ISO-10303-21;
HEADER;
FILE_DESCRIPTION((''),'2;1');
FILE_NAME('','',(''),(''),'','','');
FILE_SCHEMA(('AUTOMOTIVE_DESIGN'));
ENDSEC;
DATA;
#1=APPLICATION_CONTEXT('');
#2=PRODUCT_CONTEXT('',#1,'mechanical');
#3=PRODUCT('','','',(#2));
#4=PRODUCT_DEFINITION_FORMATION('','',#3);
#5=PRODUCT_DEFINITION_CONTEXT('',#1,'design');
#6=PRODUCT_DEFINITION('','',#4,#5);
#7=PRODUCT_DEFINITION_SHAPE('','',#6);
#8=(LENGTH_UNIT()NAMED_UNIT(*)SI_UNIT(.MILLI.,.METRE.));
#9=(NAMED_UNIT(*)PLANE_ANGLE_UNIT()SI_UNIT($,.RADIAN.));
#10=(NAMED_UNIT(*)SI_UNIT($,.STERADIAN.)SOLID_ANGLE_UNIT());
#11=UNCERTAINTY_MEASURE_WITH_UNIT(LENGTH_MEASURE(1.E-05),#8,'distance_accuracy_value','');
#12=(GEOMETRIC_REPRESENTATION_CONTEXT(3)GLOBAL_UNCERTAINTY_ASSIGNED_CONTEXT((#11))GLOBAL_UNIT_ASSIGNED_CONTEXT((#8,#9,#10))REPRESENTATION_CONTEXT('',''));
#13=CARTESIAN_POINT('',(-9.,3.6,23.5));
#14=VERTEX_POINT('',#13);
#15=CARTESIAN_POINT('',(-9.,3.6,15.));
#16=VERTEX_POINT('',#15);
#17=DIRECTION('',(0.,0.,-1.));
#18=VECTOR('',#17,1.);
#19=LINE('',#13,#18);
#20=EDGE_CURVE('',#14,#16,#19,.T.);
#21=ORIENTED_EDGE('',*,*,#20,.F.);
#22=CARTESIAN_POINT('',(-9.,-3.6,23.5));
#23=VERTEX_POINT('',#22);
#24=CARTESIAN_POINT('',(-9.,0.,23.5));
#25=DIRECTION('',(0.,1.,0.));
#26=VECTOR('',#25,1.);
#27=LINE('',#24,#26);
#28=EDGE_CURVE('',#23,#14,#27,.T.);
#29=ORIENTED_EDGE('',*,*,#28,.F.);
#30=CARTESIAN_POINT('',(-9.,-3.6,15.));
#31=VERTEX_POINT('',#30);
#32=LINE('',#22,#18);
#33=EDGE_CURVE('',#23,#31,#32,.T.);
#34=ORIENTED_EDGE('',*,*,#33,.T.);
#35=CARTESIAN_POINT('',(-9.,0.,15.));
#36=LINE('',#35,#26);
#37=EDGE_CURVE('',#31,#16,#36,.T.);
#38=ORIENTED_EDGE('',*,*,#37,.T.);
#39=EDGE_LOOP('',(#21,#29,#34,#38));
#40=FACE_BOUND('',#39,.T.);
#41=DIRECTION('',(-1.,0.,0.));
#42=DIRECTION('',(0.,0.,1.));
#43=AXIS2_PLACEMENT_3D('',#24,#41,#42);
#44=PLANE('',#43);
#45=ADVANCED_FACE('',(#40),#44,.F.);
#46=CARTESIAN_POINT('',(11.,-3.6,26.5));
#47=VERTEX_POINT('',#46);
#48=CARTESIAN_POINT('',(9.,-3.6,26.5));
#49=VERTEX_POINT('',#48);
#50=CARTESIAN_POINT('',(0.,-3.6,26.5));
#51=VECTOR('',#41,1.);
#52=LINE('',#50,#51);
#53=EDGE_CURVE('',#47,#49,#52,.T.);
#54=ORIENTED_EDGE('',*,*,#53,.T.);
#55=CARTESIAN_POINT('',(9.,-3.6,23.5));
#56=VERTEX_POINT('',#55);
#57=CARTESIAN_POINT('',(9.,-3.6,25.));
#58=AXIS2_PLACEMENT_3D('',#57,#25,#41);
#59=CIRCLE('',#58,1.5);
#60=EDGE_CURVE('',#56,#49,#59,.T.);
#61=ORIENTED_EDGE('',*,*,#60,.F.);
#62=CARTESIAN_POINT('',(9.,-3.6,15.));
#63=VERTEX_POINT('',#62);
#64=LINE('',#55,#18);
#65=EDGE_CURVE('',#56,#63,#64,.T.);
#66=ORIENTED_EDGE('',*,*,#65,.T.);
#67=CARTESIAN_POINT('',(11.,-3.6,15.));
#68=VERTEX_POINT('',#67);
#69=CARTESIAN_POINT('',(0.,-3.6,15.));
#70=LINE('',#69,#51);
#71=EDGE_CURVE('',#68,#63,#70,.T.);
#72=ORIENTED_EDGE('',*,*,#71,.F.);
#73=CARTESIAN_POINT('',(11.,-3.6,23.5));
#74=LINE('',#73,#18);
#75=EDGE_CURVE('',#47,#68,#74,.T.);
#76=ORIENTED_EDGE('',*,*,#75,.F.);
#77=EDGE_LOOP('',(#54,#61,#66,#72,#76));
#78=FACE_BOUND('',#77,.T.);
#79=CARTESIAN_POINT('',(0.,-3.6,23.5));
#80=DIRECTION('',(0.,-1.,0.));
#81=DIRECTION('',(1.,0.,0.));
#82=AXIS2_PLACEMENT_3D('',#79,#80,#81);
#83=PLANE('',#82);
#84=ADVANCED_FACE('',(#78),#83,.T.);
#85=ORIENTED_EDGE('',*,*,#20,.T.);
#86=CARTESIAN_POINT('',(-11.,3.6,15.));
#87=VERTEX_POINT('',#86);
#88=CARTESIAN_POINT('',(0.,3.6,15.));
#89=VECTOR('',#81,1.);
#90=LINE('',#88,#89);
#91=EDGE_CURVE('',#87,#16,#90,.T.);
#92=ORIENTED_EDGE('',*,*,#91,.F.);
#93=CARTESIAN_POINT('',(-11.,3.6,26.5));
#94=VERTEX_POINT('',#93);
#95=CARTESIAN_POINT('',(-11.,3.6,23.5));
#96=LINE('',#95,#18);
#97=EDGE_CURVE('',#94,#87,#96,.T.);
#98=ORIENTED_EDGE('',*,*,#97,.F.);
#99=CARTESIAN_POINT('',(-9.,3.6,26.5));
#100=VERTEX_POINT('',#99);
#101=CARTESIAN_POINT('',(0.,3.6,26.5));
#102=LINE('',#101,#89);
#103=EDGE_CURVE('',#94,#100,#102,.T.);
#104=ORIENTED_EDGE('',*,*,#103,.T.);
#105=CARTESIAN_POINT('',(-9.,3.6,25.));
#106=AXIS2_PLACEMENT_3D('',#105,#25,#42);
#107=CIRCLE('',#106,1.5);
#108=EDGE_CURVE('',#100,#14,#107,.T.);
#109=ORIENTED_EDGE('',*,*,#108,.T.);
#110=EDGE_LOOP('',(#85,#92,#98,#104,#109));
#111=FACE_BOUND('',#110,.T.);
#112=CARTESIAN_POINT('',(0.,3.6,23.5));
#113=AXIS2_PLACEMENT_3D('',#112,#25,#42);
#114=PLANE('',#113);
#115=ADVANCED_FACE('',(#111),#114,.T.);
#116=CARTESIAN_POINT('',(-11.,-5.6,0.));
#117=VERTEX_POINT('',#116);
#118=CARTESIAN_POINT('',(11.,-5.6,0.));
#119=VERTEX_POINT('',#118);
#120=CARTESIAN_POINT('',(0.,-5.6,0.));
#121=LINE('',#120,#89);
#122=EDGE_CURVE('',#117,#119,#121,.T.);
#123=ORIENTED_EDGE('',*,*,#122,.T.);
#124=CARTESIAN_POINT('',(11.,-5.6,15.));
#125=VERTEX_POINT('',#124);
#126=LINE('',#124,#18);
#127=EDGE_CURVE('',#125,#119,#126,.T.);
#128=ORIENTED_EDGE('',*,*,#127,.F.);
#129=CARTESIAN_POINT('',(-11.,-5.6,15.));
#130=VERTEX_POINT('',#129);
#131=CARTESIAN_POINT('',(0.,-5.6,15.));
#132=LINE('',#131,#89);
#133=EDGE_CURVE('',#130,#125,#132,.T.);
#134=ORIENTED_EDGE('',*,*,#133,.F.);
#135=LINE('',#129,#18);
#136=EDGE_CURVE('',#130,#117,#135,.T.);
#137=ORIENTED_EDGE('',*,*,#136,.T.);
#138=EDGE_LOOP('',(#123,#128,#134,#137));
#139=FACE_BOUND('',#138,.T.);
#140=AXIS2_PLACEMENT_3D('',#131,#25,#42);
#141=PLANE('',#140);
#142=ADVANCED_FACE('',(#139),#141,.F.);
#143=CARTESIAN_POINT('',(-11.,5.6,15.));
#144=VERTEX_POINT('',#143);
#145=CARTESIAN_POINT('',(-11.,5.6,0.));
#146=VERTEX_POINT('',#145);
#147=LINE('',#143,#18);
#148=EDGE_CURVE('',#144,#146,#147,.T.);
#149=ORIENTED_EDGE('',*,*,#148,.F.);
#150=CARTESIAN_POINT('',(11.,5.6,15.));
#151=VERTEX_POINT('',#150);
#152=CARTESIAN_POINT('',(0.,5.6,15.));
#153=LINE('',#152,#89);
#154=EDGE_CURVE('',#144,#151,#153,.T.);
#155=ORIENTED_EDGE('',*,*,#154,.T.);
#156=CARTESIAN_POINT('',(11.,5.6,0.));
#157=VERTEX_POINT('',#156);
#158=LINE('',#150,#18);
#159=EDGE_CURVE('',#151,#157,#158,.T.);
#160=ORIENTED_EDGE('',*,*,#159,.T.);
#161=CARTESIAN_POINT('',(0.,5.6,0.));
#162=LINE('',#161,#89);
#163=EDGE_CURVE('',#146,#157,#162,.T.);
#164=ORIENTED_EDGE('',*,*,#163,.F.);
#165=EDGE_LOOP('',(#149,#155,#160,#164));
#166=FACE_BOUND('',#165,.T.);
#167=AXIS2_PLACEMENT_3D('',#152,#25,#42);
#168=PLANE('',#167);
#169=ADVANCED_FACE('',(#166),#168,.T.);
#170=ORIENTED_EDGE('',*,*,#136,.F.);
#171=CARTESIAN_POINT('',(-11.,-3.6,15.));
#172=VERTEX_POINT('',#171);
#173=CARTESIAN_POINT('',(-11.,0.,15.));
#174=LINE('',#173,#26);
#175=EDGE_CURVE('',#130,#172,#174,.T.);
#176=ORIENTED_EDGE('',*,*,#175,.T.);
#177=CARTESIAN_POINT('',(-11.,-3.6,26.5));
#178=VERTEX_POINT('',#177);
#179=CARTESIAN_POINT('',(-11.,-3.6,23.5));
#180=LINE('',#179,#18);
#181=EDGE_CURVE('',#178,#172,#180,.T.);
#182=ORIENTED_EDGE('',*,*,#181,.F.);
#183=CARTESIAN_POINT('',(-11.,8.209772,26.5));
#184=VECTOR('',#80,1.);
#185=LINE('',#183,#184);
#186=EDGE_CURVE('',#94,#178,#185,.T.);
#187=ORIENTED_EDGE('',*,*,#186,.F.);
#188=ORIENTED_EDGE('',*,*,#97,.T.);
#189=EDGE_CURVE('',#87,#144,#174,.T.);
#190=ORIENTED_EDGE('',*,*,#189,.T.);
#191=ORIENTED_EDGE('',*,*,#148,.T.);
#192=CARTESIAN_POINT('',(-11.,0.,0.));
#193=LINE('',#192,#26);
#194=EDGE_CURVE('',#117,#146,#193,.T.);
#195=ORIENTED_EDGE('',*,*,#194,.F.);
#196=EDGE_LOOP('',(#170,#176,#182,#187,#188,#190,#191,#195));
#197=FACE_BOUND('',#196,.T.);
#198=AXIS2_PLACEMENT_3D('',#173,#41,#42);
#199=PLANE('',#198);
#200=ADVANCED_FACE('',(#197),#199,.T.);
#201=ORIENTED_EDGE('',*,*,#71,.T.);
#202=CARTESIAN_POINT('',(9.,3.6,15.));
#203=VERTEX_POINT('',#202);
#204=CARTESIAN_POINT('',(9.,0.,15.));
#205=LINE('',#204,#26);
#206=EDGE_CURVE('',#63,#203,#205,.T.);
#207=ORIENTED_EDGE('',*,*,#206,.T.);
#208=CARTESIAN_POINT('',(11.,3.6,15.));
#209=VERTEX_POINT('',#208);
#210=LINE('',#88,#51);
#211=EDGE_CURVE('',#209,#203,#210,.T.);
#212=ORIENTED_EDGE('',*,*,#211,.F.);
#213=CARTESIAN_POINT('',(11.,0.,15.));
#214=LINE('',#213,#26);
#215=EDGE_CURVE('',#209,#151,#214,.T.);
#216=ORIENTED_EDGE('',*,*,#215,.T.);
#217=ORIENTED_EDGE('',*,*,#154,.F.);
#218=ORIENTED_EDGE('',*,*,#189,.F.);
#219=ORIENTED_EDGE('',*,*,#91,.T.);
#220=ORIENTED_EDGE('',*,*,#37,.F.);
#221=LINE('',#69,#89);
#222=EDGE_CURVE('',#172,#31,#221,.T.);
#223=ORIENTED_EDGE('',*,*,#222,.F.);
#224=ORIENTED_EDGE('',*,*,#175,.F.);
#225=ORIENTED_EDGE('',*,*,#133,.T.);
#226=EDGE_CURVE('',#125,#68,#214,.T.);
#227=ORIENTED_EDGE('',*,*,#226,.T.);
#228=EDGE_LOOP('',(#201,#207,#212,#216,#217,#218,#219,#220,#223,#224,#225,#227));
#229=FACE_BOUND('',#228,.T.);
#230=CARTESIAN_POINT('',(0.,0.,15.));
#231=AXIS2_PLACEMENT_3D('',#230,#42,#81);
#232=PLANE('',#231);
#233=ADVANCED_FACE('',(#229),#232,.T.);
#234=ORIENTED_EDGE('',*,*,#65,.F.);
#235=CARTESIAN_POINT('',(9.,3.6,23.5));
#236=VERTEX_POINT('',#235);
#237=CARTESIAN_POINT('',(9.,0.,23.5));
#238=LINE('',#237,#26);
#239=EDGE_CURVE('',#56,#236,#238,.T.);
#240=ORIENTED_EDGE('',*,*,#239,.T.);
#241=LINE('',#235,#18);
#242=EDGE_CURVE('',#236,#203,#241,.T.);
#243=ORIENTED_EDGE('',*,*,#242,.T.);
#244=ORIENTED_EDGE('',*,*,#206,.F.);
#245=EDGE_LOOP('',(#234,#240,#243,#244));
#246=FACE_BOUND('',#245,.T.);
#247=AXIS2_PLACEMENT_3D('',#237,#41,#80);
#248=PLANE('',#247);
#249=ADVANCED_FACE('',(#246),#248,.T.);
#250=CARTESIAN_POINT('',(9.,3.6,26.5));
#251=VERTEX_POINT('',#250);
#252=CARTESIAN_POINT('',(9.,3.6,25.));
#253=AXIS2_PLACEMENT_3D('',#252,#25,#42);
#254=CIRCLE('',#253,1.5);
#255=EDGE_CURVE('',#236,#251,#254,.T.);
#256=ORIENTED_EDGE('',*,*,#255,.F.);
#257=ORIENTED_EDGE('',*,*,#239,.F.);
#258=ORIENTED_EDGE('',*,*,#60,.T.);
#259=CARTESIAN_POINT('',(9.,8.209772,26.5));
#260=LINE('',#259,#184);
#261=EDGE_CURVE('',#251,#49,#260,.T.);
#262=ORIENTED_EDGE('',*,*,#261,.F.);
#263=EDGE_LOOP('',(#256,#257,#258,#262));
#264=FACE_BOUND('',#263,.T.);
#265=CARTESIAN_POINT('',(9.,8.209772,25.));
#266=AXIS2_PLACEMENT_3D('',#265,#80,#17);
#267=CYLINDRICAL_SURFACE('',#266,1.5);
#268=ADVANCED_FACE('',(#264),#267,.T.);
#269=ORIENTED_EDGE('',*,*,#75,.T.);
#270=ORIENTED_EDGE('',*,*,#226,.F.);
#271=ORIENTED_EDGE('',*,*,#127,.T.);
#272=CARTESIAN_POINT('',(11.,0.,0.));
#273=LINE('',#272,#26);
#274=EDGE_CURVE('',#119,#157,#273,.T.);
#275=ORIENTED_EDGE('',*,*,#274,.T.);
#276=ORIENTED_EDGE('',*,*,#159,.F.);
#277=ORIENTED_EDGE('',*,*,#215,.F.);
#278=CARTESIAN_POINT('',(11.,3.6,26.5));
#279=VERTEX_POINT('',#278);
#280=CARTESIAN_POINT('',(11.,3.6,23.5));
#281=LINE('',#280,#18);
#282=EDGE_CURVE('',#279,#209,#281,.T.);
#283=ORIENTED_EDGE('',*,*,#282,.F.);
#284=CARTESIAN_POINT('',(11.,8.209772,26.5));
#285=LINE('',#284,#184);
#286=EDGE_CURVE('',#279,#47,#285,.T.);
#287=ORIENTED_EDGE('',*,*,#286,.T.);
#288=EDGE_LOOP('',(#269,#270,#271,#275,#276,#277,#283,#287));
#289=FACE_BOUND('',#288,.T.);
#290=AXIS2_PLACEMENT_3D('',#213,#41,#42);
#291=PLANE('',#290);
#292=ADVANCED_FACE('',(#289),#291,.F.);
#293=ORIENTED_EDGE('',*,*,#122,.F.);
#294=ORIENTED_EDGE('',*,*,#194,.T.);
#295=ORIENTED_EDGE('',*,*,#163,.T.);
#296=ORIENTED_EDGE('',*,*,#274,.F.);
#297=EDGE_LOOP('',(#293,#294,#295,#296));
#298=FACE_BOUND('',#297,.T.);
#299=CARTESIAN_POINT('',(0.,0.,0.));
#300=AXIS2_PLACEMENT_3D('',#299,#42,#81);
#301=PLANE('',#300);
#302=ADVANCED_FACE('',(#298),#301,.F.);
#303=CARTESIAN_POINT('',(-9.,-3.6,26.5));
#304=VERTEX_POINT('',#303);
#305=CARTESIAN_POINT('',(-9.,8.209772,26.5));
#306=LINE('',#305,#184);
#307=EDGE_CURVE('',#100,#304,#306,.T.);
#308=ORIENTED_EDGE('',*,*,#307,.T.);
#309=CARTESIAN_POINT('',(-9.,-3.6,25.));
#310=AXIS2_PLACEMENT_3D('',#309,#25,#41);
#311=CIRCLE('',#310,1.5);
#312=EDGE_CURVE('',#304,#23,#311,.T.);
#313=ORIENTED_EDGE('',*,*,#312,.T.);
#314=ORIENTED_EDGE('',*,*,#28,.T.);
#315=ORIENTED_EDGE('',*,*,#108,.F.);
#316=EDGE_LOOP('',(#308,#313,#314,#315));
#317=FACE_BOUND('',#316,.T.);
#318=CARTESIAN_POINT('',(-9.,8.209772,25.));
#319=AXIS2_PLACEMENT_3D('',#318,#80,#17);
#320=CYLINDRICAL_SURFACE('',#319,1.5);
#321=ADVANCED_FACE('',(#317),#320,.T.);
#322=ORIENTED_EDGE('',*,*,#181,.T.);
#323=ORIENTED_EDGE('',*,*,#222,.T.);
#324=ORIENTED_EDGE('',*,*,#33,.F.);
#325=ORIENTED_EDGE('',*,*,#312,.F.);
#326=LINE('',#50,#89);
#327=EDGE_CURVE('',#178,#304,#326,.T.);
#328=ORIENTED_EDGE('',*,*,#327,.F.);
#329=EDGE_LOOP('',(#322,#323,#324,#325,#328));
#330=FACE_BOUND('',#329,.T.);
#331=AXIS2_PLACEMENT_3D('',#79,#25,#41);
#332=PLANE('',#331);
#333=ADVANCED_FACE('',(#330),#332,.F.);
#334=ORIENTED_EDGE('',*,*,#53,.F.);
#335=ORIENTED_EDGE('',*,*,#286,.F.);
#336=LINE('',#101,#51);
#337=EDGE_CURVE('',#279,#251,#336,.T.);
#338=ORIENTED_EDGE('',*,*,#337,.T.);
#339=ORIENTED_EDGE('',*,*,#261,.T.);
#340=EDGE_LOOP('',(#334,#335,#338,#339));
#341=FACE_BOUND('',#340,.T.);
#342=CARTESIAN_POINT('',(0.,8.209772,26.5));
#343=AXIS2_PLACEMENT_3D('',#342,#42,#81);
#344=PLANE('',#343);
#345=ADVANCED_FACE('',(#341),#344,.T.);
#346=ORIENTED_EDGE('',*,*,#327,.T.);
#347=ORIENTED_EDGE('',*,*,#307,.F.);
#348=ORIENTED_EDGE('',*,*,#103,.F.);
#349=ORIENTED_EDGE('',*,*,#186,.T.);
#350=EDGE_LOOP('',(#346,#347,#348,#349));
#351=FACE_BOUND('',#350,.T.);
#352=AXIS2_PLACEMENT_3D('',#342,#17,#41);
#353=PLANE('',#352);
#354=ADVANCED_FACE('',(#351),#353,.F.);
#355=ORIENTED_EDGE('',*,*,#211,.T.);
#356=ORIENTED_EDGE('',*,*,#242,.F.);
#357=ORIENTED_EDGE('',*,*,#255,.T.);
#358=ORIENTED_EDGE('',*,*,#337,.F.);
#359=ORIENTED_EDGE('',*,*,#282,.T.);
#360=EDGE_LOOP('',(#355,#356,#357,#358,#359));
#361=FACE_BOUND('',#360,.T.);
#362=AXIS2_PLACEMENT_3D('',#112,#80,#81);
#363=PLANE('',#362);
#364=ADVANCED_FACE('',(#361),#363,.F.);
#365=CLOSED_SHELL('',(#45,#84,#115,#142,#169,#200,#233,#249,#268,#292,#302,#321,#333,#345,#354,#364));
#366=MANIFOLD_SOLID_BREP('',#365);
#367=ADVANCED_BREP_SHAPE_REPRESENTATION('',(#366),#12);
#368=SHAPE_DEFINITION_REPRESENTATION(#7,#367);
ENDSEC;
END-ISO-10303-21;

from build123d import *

# Parameters (mm, degrees)
SKETCH1_W           = 2
SKETCH1_H           = 7.2
SKETCH1_W_2         = 18
BOSS_EXTRUDE3_DEPTH = 15
BOSS_EXTRUDE4_START = 15
SKETCH1_4_W         = 2
SKETCH1_4_H         = 7.2
BOSS_EXTRUDE4_DEPTH = 8.5
BOSS_EXTRUDE5_START = -3.6
SKETCH3_W           = 2
SKETCH3_H           = 3
BOSS_EXTRUDE5_DEPTH = 7.2


with BuildPart() as part:
    # Sketch1 → Boss-Extrude3 (new body)
    with BuildSketch(Plane.XY):
        Polygon((9, 3.6), (11, 3.6), (11, 5.6), (-11, 5.6), (-11, 3.6), (-9, 3.6), align=None)
        with Locations((-10, 0)):
            Rectangle(SKETCH1_W, SKETCH1_H)
        Rectangle(SKETCH1_W_2, SKETCH1_H)
        Polygon((11, -3.6), (11, -5.6), (-11, -5.6), (-11, -3.6), (-9, -3.6), (9, -3.6), align=None)
        with Locations((10, 0)):
            Rectangle(SKETCH1_W, SKETCH1_H)
    extrude(amount=BOSS_EXTRUDE3_DEPTH)

    # Sketch1<4> → Boss-Extrude4 (add)
    with BuildSketch(Plane.XY.offset(BOSS_EXTRUDE4_START)):
        with Locations((-10, 0)):
            Rectangle(SKETCH1_4_W, SKETCH1_4_H)
        with Locations((10, 0)):
            Rectangle(SKETCH1_4_W, SKETCH1_4_H)
    extrude(amount=BOSS_EXTRUDE4_DEPTH)

    # Sketch3 → Boss-Extrude5 (add)
    with BuildSketch(Plane(origin=(0, 0, 0), x_dir=(1, 0, 0), z_dir=(0, 1, 0)).offset(BOSS_EXTRUDE5_START)):
        with Locations((-10, -25)):
            Rectangle(SKETCH3_W, SKETCH3_H)
        with BuildLine():
            Line((-9, -23.5), (-9, -26.5))
            ThreePointArc((-9, -26.5), (-7.5, -25), (-9, -23.5))
        make_face()
    boss_extrude5 = extrude(amount=BOSS_EXTRUDE5_DEPTH)

    # Mirror1: Boss-Extrude5 across plane
    add(boss_extrude5.mirror(Plane(origin=(0, 0, 0), x_dir=(0, 0, 1), z_dir=(1, 0, 0))))


solid = part.part
